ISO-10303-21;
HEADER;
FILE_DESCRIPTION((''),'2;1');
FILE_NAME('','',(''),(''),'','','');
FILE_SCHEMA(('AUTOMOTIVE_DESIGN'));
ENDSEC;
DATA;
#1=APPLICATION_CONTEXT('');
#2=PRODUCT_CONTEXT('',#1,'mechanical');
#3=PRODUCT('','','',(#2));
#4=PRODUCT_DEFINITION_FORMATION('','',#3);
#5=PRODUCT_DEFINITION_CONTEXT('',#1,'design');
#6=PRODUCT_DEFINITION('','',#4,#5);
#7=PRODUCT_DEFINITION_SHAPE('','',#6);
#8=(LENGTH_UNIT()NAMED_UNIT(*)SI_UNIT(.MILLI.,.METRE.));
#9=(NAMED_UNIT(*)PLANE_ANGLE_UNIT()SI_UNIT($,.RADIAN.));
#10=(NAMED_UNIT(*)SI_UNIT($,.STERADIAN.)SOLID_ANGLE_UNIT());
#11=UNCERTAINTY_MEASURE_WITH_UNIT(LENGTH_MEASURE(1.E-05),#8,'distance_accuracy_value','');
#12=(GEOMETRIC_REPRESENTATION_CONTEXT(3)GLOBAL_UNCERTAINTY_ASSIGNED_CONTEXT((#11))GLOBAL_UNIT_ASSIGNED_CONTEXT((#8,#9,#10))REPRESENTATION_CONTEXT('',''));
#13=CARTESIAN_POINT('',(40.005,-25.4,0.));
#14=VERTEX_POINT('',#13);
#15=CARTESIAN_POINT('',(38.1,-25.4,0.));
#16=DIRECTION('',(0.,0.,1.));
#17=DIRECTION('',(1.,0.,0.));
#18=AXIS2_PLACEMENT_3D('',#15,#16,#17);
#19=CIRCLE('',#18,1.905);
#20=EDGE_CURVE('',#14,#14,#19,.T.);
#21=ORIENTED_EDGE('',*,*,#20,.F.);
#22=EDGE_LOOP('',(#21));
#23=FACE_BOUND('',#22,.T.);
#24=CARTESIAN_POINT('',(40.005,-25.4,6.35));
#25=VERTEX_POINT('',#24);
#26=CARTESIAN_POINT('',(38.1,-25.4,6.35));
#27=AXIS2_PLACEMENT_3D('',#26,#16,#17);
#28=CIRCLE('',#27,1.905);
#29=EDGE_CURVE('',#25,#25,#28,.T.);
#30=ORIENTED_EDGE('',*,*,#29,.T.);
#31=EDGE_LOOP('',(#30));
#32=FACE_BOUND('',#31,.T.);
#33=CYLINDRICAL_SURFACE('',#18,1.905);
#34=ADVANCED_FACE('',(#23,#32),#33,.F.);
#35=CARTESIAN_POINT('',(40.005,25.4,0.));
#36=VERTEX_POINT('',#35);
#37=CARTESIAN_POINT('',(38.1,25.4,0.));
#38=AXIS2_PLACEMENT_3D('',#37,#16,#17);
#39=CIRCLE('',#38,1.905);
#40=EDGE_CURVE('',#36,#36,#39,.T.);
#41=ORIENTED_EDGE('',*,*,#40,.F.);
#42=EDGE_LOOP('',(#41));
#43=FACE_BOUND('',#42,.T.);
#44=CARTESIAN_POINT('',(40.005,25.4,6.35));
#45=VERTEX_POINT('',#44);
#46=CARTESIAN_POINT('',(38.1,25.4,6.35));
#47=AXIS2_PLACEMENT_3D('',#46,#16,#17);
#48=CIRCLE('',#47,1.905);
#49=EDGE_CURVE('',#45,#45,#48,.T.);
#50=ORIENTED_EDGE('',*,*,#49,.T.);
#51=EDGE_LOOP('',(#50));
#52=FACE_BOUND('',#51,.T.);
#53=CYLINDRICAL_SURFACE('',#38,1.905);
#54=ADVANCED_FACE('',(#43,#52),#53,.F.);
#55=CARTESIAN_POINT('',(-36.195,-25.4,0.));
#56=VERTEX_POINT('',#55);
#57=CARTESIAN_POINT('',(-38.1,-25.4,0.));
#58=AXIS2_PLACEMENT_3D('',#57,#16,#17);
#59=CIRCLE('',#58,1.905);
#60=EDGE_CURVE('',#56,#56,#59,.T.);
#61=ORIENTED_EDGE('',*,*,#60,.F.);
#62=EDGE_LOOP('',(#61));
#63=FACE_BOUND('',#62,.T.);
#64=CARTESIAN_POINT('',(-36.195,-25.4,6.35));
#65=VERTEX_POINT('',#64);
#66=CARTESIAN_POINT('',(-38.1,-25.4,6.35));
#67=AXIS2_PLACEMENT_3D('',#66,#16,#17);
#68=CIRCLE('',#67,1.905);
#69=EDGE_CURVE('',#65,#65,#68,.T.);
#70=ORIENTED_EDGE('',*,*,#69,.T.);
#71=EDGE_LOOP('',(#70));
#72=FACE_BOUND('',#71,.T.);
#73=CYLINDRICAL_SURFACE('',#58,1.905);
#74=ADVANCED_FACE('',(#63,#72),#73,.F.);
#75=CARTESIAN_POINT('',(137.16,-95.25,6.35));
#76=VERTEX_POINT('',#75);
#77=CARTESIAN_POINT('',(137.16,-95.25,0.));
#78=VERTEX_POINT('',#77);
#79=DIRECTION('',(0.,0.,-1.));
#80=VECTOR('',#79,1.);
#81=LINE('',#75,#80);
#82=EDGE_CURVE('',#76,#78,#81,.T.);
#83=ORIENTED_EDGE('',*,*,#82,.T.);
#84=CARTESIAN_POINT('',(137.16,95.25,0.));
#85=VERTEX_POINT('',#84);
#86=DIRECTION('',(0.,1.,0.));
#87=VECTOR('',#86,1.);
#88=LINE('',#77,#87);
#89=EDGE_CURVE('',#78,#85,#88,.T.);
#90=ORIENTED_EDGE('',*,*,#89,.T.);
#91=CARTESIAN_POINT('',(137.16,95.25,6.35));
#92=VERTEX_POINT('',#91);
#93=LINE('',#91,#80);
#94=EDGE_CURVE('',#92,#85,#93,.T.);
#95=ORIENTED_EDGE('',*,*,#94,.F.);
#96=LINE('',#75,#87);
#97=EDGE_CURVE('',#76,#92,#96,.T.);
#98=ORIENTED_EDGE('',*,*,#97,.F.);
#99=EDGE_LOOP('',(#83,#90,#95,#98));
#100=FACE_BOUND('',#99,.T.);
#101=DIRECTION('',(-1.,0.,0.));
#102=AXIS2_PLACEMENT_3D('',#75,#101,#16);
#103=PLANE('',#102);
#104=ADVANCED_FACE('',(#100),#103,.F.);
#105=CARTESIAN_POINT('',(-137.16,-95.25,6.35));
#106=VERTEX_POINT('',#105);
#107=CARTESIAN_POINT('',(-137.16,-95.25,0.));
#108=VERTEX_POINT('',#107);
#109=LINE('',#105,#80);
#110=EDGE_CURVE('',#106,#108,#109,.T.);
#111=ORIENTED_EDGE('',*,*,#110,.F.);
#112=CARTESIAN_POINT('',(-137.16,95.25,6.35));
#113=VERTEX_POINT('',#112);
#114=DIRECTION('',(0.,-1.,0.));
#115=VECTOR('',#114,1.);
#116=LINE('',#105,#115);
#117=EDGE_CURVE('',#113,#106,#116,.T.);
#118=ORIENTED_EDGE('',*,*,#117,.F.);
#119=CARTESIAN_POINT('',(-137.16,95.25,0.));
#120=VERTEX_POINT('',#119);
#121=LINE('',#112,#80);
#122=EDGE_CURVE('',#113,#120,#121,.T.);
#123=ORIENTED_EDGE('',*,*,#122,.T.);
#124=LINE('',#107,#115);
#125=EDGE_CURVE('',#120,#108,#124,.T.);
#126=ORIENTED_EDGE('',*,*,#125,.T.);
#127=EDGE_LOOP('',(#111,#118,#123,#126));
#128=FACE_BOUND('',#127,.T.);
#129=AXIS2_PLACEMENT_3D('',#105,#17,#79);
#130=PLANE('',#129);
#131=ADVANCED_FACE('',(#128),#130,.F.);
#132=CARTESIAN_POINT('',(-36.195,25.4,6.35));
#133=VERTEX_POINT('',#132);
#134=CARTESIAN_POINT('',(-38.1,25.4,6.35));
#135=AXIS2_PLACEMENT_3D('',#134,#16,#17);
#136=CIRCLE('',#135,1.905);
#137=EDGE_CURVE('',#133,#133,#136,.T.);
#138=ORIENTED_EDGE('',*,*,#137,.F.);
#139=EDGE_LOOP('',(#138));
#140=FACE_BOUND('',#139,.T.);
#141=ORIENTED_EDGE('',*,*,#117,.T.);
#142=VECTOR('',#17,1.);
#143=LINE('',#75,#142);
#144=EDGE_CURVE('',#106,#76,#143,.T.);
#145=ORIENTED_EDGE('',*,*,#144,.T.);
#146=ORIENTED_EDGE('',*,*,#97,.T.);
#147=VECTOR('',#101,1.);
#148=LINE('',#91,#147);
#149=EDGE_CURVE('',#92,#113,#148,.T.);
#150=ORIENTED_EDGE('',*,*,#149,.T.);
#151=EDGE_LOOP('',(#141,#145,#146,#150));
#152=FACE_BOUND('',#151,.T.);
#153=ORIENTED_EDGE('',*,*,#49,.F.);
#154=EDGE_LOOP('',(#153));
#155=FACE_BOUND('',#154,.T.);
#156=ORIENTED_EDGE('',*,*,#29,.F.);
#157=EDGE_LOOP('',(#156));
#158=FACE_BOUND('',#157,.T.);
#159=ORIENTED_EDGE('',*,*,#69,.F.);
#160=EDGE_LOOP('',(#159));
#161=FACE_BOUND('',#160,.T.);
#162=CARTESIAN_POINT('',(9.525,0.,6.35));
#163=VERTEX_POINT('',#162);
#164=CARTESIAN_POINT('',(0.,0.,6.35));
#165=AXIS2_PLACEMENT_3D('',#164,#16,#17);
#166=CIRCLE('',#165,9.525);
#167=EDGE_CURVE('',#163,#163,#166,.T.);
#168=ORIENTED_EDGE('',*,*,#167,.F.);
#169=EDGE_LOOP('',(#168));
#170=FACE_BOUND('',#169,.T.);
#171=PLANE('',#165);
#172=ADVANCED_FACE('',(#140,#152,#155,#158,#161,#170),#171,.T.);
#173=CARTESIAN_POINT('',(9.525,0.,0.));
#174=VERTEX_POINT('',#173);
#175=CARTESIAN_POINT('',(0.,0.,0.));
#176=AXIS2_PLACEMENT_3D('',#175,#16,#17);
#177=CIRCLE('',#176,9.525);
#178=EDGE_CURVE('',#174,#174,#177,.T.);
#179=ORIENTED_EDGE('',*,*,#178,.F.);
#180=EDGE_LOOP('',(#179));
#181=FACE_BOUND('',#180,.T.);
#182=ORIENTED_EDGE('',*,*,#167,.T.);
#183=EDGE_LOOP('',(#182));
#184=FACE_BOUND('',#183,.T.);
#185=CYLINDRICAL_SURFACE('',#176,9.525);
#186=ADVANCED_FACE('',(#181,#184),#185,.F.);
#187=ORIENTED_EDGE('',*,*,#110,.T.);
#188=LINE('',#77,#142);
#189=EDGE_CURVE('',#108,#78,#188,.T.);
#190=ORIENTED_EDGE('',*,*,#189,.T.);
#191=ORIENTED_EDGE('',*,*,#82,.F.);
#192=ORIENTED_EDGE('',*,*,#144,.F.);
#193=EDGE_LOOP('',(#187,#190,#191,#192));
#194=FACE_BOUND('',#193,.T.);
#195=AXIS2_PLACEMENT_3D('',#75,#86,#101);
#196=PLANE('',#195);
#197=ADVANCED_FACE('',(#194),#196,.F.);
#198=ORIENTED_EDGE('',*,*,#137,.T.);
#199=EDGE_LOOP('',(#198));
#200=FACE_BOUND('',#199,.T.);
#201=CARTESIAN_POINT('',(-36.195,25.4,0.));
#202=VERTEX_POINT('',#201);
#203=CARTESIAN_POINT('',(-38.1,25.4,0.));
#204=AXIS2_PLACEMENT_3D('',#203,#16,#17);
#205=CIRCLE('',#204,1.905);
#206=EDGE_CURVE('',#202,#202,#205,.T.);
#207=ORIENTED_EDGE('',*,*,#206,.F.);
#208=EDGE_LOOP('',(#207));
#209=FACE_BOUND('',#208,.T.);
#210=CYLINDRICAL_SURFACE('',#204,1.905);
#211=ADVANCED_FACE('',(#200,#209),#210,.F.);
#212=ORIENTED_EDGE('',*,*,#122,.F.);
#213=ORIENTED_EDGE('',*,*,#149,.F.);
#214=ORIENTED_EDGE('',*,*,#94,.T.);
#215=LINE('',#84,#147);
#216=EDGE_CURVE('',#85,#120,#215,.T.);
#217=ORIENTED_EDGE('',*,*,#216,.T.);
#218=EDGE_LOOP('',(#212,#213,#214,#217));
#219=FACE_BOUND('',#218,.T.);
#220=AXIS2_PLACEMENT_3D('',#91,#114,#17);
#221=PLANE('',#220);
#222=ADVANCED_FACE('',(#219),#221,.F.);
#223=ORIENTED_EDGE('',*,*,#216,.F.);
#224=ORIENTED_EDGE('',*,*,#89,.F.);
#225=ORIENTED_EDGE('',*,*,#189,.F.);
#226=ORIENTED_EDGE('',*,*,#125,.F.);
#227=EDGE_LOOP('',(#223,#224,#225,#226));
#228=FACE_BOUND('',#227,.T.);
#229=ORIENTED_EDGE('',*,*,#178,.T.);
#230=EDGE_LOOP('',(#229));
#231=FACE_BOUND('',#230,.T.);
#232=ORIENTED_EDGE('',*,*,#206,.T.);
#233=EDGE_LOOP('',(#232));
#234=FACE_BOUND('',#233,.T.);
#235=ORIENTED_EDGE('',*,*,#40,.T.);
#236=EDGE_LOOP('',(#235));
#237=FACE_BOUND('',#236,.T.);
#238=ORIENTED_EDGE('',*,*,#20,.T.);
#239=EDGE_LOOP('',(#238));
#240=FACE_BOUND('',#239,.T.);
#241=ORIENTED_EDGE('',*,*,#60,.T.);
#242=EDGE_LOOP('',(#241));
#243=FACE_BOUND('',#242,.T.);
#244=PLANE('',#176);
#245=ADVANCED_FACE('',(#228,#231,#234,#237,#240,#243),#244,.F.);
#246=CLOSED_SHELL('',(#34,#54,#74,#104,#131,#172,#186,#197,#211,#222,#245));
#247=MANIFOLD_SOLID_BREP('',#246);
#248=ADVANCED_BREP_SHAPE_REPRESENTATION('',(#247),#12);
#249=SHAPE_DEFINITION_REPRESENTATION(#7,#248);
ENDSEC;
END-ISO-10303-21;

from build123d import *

# Parameters (mm, degrees)
SKETCH1_W           = 274.32
SKETCH1_H           = 190.5
BOSS_EXTRUDE1_DEPTH = 6.35
SKETCH2_R           = 9.525
CUT_EXTRUDE1_DEPTH  = 168.109995512
SKETCH3_R           = 1.905
CUT_EXTRUDE2_DEPTH  = 168.109995512


with BuildPart() as part:
    # Sketch1 → Boss-Extrude1 (new body)
    with BuildSketch(Plane.XY):
        Rectangle(SKETCH1_W, SKETCH1_H)
    extrude(amount=BOSS_EXTRUDE1_DEPTH)

    # Sketch2 → Cut-Extrude1 (cut, through all)
    with BuildSketch(Plane.XY.offset(6.35)):
        Circle(SKETCH2_R)
    extrude(amount=-CUT_EXTRUDE1_DEPTH, mode=Mode.SUBTRACT)

    # Sketch3 → Cut-Extrude2 (cut, through all)
    with BuildSketch(Plane.XY.offset(6.35)):
        with Locations((-38.1, 25.4)):
            Circle(SKETCH3_R)
        with Locations((-38.1, -25.4)):
            Circle(SKETCH3_R)
        with Locations((38.1, -25.4)):
            Circle(SKETCH3_R)
        with Locations((38.1, 25.4)):
            Circle(SKETCH3_R)
    extrude(amount=-CUT_EXTRUDE2_DEPTH, mode=Mode.SUBTRACT)


solid = part.part
